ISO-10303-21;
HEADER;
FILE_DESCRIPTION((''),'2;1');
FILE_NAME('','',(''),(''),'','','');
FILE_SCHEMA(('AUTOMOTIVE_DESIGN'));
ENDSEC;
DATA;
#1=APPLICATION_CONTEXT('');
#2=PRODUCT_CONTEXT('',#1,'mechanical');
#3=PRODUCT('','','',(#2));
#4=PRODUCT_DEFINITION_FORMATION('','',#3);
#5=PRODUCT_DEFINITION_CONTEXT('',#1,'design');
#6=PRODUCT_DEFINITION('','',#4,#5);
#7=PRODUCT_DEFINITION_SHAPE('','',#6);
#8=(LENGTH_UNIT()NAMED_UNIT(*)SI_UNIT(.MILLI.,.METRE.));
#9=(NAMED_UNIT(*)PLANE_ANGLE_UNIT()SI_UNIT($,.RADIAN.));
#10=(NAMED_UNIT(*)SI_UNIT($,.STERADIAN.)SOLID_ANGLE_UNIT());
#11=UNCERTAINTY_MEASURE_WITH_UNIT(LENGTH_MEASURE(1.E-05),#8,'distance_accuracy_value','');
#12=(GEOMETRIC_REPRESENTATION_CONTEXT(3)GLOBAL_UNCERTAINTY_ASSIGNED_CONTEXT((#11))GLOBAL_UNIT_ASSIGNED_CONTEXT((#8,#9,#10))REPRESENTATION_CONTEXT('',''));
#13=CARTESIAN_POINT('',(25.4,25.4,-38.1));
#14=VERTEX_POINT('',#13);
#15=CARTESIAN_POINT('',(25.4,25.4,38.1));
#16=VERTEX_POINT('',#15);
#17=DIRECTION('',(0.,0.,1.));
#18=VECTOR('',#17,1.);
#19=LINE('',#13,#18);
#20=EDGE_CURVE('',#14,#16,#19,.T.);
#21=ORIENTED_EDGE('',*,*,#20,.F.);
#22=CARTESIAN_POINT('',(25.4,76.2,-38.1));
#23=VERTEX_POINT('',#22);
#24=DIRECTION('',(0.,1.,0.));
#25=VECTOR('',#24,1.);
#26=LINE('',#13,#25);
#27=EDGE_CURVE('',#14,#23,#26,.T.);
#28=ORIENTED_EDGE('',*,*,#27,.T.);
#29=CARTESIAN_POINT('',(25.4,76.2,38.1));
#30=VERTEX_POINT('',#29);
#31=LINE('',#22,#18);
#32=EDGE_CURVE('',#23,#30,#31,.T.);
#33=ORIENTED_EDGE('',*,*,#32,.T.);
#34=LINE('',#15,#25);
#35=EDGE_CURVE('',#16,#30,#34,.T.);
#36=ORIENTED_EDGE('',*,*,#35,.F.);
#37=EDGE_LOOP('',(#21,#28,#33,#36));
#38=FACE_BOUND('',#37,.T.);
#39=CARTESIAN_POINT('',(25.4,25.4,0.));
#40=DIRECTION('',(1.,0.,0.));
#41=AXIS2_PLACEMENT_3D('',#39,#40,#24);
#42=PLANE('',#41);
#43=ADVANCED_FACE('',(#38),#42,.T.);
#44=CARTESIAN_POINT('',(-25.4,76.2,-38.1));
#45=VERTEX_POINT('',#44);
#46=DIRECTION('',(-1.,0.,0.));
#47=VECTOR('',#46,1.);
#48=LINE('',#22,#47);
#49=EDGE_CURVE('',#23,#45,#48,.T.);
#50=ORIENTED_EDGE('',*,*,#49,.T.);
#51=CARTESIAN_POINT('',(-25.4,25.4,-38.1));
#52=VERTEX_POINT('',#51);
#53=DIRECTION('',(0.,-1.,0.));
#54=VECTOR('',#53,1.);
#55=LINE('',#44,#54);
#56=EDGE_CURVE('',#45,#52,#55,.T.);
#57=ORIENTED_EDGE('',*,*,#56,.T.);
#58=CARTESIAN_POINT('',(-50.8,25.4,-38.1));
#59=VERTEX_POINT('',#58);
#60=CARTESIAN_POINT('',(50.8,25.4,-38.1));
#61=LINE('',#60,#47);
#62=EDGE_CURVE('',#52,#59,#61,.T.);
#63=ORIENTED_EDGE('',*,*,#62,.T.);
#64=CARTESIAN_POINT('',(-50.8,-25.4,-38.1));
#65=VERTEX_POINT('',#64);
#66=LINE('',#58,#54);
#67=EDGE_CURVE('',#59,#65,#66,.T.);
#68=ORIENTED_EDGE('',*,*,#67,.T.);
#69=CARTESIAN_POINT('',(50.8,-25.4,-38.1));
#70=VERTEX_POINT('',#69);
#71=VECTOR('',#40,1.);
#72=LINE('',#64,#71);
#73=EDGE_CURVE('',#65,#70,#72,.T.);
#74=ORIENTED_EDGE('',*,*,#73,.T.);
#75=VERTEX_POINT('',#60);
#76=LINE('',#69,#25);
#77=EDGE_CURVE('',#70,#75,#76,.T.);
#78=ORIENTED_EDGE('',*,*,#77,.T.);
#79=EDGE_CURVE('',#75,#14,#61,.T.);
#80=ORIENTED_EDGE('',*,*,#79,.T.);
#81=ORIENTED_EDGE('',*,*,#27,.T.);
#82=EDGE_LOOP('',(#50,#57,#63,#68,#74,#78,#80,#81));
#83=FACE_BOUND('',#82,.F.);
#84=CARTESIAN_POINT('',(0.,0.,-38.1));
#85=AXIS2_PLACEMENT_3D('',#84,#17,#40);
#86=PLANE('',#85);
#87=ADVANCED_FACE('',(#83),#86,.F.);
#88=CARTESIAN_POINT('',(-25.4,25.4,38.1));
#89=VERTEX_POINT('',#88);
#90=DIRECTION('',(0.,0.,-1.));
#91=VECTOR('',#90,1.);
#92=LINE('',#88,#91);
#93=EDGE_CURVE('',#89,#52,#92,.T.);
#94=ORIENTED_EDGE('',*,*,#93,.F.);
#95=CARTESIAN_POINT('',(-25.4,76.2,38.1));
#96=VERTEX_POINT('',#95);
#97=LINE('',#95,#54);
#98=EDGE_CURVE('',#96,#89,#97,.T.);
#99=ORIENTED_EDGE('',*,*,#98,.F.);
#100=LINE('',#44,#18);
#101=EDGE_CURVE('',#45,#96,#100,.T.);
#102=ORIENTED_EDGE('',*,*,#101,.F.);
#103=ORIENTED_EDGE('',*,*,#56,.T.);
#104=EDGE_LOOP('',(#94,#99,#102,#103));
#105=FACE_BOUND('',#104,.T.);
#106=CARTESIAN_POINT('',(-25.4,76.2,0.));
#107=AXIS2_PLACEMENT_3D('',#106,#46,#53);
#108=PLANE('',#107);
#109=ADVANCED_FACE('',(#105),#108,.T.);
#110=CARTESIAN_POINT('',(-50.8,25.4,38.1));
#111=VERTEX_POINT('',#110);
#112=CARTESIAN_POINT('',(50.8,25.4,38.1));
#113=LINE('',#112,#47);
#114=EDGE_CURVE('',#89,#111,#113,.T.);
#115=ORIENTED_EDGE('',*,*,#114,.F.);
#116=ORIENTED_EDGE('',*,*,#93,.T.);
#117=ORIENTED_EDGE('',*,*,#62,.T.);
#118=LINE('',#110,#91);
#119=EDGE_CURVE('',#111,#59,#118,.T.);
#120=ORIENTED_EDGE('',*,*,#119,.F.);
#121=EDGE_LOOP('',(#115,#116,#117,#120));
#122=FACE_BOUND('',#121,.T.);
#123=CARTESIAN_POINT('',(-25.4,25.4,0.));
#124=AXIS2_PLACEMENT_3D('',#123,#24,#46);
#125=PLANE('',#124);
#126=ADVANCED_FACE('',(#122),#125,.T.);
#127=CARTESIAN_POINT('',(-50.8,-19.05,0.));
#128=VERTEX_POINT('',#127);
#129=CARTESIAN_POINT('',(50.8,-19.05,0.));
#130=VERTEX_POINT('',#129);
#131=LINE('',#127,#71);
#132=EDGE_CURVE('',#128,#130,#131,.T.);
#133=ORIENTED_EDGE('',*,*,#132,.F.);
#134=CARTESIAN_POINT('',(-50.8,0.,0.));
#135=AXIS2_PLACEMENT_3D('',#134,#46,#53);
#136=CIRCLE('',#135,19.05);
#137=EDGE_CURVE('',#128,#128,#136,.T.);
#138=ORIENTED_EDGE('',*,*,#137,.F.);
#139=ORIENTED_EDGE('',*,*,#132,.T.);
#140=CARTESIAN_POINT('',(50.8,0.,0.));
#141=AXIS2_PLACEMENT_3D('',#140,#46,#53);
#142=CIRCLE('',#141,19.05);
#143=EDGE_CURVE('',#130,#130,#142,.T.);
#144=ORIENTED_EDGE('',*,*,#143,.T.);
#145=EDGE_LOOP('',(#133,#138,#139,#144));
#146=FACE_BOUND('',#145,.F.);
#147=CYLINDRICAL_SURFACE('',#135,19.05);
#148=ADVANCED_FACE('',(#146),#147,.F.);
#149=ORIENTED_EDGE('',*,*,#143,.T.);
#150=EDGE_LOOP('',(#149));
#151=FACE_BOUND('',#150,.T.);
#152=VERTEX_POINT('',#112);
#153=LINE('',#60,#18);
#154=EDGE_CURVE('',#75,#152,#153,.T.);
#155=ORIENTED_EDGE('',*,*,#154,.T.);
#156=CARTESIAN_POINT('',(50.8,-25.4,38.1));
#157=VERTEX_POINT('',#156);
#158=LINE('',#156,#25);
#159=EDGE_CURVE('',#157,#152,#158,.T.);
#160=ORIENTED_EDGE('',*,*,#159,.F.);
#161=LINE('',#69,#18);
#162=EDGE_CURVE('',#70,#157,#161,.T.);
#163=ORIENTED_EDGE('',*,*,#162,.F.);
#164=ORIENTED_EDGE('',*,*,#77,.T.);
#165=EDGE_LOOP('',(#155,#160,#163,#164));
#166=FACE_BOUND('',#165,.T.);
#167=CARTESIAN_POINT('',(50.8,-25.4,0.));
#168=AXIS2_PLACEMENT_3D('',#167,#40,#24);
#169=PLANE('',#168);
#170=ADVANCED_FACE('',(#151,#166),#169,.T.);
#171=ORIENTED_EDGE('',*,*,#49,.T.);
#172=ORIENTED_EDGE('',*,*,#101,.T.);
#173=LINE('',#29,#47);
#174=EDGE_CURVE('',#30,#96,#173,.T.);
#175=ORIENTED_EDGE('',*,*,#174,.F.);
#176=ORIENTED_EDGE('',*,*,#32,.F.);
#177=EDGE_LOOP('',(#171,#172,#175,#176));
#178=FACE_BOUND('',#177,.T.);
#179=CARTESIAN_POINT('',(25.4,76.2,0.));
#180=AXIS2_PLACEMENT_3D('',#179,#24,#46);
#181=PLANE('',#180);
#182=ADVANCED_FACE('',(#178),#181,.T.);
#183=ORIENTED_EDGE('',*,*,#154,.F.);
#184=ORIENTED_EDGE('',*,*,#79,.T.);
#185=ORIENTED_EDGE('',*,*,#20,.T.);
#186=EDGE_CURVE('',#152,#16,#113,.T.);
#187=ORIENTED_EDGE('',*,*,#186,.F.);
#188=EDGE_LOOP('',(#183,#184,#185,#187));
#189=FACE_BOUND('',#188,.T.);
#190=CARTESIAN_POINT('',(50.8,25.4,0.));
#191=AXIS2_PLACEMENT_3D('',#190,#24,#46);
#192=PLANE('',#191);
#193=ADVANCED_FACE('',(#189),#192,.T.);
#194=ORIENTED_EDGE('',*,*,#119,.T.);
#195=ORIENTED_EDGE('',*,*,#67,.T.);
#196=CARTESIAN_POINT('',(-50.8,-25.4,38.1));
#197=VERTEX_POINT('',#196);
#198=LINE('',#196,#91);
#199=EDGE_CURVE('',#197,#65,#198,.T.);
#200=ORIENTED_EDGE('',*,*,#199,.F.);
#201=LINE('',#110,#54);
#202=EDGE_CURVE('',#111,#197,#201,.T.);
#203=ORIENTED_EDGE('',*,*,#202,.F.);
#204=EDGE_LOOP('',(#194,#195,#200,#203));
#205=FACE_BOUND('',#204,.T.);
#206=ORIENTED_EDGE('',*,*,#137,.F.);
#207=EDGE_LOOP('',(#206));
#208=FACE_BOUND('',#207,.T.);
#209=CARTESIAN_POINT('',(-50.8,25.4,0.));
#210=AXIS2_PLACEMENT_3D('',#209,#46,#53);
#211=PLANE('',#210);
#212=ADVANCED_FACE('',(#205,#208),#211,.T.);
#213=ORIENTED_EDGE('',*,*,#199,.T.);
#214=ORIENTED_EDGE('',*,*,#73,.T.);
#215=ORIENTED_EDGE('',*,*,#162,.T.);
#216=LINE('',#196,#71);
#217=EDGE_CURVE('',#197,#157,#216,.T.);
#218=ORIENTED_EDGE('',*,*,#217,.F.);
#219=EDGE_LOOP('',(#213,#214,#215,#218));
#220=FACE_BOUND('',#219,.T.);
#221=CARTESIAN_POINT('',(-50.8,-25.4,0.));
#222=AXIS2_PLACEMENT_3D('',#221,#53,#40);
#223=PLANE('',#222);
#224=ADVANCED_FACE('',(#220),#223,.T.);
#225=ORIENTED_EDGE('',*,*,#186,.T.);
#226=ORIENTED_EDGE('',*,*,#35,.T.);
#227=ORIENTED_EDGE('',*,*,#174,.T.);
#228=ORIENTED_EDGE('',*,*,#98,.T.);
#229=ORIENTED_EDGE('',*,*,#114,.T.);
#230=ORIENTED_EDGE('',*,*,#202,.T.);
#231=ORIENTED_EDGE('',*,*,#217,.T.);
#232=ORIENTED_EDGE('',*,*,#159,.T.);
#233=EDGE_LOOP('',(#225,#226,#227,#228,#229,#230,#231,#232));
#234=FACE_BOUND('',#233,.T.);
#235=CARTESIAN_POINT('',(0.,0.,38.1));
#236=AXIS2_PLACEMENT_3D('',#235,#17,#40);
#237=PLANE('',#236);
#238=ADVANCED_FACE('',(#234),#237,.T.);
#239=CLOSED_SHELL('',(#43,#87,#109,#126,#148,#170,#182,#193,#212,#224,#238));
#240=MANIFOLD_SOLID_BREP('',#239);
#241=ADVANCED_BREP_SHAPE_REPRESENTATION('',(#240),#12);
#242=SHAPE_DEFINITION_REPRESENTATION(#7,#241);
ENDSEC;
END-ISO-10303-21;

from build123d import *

# Parameters (mm, degrees)
F1_DEPTH = 38.1
F2_R     = 19.05
F3_DEPTH = 101.601


with BuildPart() as f1:
    # F0 (on Top) → F1 (new body, symmetric)
    with BuildSketch(Plane.XY):
        Polygon((-50.8, -25.4), (50.8, -25.4), (50.8, 25.4), (25.4, 25.4), (0, 25.4), (-25.4, 25.4), (-50.8, 25.4), align=None)
        Polygon((0, 25.4), (25.4, 25.4), (25.4, 76.2), (-25.4, 76.2), (-25.4, 25.4), align=None)
    extrude(amount=F1_DEPTH, both=True)

    # F2 (on face) → F3 (cut, through all)
    with BuildSketch(Plane(origin=(-50.8, 0, 0), x_dir=(0, -1, 0), z_dir=(-1, 0, 0))):
        Circle(F2_R)
    extrude(amount=-F3_DEPTH, mode=Mode.SUBTRACT)


solid = f1.part
